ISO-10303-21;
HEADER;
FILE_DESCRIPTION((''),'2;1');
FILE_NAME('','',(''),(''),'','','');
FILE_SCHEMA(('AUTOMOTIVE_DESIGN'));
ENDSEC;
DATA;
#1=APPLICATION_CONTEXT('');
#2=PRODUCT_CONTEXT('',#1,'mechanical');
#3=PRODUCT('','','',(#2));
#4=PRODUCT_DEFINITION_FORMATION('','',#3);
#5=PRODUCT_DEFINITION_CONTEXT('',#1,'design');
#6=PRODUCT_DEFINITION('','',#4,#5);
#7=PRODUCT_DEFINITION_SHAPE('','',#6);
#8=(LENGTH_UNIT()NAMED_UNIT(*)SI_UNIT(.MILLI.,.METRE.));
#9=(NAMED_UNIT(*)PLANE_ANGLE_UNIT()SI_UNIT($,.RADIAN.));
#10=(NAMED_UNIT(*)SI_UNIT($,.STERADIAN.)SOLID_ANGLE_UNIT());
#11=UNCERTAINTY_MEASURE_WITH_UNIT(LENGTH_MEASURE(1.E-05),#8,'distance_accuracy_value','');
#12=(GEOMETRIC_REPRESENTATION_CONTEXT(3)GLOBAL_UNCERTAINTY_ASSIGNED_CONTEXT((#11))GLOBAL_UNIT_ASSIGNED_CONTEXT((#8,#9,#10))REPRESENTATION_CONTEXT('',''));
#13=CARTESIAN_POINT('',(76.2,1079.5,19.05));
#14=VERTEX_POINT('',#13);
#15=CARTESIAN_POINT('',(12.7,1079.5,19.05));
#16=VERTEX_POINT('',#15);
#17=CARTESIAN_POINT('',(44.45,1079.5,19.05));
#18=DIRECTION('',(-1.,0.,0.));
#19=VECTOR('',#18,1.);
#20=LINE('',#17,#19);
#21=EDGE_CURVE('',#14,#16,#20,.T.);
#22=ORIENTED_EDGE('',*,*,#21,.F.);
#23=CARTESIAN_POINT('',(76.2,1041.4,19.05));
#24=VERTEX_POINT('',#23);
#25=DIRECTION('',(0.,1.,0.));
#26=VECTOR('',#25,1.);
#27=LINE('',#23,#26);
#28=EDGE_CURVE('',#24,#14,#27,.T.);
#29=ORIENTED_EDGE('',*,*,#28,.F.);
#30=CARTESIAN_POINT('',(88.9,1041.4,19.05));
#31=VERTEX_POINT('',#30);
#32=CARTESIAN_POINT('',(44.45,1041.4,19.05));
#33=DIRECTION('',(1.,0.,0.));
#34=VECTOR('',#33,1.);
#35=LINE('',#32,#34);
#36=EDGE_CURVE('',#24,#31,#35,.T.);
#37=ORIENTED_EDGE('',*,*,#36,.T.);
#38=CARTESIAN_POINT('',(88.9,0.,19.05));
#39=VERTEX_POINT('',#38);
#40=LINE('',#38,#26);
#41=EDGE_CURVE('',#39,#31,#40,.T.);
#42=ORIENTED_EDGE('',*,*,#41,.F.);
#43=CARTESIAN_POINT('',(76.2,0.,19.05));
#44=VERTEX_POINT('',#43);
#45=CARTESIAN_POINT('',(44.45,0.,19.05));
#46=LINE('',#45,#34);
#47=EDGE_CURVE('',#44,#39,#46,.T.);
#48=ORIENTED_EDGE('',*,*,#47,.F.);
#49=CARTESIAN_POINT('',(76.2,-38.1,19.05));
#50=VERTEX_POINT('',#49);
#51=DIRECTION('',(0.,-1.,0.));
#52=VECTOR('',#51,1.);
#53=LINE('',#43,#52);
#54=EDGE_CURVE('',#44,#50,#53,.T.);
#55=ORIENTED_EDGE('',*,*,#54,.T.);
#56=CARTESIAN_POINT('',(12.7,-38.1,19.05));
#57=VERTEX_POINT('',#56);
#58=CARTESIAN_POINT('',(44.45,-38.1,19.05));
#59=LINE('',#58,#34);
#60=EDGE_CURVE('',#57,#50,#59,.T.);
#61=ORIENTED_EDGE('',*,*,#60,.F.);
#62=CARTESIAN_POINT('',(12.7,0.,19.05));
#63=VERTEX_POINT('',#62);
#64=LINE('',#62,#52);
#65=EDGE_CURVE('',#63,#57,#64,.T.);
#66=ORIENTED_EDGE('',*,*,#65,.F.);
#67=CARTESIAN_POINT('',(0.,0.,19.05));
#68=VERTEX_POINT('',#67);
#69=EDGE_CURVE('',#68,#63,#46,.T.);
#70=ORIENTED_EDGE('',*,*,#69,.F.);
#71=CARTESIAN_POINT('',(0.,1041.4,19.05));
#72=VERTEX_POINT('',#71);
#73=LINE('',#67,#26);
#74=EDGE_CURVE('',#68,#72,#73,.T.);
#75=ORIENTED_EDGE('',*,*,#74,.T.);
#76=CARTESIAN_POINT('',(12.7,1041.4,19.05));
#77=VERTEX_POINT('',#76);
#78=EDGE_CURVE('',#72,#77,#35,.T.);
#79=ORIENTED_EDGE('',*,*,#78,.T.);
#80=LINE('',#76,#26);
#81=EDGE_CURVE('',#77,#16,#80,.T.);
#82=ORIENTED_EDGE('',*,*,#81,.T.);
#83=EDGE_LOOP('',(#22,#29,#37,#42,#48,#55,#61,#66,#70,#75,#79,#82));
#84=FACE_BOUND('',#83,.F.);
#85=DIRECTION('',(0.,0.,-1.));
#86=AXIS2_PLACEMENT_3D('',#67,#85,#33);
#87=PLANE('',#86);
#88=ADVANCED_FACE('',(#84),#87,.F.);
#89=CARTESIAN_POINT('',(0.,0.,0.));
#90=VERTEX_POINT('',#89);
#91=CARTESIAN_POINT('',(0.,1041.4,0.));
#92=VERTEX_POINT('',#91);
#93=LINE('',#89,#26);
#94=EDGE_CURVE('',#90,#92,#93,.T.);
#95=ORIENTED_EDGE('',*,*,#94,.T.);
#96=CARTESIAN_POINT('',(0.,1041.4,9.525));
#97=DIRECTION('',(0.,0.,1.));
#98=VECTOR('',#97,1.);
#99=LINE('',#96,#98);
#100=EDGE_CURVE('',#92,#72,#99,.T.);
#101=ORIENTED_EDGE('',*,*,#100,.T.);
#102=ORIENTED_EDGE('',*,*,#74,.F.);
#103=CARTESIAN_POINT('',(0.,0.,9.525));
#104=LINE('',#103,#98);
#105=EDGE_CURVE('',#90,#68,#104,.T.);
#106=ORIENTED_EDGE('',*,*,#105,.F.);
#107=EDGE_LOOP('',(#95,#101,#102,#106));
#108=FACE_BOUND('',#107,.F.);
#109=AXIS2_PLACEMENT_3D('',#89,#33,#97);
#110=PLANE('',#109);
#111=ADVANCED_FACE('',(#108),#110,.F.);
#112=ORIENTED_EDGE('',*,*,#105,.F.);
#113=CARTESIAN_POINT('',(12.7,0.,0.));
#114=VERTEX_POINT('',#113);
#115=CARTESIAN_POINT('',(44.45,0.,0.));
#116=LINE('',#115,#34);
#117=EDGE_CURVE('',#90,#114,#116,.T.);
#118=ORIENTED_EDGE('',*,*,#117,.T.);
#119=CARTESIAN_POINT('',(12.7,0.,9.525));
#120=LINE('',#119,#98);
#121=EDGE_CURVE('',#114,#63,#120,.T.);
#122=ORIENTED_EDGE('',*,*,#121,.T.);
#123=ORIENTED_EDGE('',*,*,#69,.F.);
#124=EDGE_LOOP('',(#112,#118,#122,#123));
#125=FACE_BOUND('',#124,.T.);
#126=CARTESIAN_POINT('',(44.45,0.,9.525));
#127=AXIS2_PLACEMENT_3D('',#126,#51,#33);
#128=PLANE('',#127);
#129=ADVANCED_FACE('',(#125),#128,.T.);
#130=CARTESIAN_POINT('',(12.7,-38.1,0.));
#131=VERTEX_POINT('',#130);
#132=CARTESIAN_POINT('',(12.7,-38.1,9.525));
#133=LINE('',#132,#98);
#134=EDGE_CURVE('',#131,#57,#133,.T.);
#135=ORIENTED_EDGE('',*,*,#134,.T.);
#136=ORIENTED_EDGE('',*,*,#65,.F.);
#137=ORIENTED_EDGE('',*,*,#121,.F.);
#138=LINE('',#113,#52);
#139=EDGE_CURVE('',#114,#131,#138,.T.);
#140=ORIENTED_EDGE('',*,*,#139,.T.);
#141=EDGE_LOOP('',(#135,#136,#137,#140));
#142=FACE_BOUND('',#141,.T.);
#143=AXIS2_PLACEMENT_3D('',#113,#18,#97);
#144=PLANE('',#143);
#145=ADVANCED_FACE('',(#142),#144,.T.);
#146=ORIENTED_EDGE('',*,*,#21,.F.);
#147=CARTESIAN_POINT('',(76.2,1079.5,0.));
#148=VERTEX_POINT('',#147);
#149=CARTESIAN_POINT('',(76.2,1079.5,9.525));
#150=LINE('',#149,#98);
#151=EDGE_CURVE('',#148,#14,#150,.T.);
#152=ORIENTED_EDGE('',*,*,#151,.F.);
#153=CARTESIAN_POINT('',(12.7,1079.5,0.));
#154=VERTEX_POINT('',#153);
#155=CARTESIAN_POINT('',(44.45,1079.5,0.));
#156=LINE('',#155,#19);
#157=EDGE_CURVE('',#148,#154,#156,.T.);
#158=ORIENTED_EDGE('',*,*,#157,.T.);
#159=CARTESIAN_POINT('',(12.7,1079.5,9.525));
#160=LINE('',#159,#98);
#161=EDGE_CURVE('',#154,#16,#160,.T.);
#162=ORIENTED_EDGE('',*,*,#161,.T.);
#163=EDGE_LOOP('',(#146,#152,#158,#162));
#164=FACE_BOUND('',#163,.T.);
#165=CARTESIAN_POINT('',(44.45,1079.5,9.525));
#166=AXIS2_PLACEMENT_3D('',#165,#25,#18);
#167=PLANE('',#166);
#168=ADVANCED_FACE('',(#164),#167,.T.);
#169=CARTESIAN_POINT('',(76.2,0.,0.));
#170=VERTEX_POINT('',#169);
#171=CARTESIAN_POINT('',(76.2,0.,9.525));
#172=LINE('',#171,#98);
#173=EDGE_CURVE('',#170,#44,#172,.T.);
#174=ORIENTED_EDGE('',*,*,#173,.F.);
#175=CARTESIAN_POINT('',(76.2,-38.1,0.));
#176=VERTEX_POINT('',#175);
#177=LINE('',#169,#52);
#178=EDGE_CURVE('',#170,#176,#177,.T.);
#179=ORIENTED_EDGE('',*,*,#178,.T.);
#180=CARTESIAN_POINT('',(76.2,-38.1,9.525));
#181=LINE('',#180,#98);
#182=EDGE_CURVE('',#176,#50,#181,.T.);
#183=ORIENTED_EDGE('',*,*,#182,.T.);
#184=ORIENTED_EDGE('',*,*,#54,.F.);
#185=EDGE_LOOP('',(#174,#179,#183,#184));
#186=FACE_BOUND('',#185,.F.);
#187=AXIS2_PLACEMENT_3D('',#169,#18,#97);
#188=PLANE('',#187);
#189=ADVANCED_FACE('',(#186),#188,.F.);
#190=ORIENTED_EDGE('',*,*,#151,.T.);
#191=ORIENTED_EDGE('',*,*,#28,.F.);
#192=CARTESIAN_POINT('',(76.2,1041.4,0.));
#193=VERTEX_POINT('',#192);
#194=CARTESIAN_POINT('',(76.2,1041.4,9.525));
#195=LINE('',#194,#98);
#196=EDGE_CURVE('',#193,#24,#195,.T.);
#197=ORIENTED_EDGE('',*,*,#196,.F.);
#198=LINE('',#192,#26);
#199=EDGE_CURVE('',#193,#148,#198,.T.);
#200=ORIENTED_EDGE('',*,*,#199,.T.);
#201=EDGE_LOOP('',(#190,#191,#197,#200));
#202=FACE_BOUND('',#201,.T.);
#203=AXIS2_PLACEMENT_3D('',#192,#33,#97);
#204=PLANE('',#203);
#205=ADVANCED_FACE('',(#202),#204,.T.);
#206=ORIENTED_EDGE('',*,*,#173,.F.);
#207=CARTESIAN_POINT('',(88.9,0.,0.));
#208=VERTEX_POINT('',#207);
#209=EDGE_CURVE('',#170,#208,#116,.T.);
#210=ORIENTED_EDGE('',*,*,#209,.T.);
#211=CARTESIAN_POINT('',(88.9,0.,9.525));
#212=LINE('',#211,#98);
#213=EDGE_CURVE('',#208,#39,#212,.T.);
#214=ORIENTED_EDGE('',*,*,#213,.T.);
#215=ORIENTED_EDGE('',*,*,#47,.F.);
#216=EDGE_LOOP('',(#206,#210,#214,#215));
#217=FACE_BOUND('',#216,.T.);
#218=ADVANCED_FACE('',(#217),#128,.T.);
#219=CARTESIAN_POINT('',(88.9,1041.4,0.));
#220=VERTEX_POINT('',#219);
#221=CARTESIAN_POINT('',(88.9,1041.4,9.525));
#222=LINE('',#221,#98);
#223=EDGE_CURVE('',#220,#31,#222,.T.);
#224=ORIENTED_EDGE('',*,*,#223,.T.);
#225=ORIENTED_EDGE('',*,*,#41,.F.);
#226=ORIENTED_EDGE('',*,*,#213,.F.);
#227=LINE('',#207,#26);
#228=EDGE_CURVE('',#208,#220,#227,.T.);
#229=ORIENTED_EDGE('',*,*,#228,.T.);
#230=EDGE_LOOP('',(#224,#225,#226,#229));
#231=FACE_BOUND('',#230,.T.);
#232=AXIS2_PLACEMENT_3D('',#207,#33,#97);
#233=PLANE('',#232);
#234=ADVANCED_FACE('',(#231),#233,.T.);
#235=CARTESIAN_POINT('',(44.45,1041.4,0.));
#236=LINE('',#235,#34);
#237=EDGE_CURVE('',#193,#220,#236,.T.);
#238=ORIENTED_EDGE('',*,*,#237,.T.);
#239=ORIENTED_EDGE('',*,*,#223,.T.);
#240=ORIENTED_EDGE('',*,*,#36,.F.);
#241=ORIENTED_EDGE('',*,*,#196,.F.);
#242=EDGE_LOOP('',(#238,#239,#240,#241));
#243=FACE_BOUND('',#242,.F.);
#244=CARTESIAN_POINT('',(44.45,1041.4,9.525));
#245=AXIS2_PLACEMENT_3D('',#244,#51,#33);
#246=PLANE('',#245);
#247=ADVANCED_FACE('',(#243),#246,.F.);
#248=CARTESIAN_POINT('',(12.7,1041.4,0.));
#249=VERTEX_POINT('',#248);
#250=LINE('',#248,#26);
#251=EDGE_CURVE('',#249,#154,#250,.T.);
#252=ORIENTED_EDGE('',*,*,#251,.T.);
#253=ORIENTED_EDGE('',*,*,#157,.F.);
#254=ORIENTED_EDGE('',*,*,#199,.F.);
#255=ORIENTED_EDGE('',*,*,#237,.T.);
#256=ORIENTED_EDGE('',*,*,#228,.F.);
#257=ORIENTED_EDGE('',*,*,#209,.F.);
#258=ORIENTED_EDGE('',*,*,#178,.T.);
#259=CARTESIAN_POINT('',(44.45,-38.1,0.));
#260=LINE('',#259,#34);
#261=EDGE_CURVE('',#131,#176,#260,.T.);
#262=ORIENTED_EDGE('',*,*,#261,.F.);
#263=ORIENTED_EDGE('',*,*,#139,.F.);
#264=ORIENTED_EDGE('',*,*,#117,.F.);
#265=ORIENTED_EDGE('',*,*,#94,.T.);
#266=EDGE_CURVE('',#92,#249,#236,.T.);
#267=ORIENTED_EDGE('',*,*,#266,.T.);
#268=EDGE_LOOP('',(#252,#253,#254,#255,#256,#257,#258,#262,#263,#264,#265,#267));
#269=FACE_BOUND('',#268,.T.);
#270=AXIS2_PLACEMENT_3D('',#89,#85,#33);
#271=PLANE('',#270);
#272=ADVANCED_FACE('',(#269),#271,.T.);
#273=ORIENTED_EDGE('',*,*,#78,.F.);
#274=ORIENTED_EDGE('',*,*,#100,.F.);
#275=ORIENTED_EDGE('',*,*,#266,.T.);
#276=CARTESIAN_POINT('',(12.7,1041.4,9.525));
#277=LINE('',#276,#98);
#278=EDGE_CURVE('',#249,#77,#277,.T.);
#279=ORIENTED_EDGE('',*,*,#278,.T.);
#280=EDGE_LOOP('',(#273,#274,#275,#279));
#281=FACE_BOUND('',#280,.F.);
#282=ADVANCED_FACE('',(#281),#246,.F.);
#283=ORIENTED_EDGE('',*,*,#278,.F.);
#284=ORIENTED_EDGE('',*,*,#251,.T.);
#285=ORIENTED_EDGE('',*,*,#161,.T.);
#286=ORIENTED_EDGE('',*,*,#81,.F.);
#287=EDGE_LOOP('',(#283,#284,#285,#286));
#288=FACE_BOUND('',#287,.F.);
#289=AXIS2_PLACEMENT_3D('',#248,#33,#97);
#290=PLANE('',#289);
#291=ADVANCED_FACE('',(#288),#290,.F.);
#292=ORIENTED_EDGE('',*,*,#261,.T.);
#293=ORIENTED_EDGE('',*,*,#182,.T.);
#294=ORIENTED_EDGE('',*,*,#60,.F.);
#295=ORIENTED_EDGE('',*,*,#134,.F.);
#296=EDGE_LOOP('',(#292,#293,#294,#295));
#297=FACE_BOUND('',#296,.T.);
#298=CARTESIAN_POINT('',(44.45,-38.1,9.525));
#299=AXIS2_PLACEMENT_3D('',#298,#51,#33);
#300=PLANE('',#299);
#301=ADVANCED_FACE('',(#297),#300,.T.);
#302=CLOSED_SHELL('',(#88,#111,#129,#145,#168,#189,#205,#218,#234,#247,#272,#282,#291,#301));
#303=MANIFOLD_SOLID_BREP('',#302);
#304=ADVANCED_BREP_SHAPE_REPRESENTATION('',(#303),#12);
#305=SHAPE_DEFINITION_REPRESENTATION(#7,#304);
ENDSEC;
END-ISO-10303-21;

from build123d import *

# Parameters (mm, degrees)
F0_W     = 88.9
F0_H     = 19.05
F1_DEPTH = 1041.4
F2_W     = 63.5
F2_H     = 19.05
F3_DEPTH = 38.1
F4_W     = 63.5
F4_H     = 19.05
F5_DEPTH = 38.1


with BuildPart() as f1:
    # F0 (on Front) → F1 (new body)
    with BuildSketch(Plane.XZ):
        with Locations((44.45, 9.525)):
            Rectangle(F0_W, F0_H)
    extrude(amount=-F1_DEPTH)

    # F2 (on face) → F3 (join)
    with BuildSketch(Plane.XZ):
        with Locations((44.45, 9.525)):
            Rectangle(F2_W, F2_H)
    extrude(amount=F3_DEPTH)

    # F4 (on face) → F5 (join)
    with BuildSketch(Plane(origin=(0, 1041.4, 0), x_dir=(-1, 0, 0), z_dir=(0, 1, 0))):
        with Locations((-44.45, 9.525)):
            Rectangle(F4_W, F4_H)
    extrude(amount=F5_DEPTH)


solid = f1.part
